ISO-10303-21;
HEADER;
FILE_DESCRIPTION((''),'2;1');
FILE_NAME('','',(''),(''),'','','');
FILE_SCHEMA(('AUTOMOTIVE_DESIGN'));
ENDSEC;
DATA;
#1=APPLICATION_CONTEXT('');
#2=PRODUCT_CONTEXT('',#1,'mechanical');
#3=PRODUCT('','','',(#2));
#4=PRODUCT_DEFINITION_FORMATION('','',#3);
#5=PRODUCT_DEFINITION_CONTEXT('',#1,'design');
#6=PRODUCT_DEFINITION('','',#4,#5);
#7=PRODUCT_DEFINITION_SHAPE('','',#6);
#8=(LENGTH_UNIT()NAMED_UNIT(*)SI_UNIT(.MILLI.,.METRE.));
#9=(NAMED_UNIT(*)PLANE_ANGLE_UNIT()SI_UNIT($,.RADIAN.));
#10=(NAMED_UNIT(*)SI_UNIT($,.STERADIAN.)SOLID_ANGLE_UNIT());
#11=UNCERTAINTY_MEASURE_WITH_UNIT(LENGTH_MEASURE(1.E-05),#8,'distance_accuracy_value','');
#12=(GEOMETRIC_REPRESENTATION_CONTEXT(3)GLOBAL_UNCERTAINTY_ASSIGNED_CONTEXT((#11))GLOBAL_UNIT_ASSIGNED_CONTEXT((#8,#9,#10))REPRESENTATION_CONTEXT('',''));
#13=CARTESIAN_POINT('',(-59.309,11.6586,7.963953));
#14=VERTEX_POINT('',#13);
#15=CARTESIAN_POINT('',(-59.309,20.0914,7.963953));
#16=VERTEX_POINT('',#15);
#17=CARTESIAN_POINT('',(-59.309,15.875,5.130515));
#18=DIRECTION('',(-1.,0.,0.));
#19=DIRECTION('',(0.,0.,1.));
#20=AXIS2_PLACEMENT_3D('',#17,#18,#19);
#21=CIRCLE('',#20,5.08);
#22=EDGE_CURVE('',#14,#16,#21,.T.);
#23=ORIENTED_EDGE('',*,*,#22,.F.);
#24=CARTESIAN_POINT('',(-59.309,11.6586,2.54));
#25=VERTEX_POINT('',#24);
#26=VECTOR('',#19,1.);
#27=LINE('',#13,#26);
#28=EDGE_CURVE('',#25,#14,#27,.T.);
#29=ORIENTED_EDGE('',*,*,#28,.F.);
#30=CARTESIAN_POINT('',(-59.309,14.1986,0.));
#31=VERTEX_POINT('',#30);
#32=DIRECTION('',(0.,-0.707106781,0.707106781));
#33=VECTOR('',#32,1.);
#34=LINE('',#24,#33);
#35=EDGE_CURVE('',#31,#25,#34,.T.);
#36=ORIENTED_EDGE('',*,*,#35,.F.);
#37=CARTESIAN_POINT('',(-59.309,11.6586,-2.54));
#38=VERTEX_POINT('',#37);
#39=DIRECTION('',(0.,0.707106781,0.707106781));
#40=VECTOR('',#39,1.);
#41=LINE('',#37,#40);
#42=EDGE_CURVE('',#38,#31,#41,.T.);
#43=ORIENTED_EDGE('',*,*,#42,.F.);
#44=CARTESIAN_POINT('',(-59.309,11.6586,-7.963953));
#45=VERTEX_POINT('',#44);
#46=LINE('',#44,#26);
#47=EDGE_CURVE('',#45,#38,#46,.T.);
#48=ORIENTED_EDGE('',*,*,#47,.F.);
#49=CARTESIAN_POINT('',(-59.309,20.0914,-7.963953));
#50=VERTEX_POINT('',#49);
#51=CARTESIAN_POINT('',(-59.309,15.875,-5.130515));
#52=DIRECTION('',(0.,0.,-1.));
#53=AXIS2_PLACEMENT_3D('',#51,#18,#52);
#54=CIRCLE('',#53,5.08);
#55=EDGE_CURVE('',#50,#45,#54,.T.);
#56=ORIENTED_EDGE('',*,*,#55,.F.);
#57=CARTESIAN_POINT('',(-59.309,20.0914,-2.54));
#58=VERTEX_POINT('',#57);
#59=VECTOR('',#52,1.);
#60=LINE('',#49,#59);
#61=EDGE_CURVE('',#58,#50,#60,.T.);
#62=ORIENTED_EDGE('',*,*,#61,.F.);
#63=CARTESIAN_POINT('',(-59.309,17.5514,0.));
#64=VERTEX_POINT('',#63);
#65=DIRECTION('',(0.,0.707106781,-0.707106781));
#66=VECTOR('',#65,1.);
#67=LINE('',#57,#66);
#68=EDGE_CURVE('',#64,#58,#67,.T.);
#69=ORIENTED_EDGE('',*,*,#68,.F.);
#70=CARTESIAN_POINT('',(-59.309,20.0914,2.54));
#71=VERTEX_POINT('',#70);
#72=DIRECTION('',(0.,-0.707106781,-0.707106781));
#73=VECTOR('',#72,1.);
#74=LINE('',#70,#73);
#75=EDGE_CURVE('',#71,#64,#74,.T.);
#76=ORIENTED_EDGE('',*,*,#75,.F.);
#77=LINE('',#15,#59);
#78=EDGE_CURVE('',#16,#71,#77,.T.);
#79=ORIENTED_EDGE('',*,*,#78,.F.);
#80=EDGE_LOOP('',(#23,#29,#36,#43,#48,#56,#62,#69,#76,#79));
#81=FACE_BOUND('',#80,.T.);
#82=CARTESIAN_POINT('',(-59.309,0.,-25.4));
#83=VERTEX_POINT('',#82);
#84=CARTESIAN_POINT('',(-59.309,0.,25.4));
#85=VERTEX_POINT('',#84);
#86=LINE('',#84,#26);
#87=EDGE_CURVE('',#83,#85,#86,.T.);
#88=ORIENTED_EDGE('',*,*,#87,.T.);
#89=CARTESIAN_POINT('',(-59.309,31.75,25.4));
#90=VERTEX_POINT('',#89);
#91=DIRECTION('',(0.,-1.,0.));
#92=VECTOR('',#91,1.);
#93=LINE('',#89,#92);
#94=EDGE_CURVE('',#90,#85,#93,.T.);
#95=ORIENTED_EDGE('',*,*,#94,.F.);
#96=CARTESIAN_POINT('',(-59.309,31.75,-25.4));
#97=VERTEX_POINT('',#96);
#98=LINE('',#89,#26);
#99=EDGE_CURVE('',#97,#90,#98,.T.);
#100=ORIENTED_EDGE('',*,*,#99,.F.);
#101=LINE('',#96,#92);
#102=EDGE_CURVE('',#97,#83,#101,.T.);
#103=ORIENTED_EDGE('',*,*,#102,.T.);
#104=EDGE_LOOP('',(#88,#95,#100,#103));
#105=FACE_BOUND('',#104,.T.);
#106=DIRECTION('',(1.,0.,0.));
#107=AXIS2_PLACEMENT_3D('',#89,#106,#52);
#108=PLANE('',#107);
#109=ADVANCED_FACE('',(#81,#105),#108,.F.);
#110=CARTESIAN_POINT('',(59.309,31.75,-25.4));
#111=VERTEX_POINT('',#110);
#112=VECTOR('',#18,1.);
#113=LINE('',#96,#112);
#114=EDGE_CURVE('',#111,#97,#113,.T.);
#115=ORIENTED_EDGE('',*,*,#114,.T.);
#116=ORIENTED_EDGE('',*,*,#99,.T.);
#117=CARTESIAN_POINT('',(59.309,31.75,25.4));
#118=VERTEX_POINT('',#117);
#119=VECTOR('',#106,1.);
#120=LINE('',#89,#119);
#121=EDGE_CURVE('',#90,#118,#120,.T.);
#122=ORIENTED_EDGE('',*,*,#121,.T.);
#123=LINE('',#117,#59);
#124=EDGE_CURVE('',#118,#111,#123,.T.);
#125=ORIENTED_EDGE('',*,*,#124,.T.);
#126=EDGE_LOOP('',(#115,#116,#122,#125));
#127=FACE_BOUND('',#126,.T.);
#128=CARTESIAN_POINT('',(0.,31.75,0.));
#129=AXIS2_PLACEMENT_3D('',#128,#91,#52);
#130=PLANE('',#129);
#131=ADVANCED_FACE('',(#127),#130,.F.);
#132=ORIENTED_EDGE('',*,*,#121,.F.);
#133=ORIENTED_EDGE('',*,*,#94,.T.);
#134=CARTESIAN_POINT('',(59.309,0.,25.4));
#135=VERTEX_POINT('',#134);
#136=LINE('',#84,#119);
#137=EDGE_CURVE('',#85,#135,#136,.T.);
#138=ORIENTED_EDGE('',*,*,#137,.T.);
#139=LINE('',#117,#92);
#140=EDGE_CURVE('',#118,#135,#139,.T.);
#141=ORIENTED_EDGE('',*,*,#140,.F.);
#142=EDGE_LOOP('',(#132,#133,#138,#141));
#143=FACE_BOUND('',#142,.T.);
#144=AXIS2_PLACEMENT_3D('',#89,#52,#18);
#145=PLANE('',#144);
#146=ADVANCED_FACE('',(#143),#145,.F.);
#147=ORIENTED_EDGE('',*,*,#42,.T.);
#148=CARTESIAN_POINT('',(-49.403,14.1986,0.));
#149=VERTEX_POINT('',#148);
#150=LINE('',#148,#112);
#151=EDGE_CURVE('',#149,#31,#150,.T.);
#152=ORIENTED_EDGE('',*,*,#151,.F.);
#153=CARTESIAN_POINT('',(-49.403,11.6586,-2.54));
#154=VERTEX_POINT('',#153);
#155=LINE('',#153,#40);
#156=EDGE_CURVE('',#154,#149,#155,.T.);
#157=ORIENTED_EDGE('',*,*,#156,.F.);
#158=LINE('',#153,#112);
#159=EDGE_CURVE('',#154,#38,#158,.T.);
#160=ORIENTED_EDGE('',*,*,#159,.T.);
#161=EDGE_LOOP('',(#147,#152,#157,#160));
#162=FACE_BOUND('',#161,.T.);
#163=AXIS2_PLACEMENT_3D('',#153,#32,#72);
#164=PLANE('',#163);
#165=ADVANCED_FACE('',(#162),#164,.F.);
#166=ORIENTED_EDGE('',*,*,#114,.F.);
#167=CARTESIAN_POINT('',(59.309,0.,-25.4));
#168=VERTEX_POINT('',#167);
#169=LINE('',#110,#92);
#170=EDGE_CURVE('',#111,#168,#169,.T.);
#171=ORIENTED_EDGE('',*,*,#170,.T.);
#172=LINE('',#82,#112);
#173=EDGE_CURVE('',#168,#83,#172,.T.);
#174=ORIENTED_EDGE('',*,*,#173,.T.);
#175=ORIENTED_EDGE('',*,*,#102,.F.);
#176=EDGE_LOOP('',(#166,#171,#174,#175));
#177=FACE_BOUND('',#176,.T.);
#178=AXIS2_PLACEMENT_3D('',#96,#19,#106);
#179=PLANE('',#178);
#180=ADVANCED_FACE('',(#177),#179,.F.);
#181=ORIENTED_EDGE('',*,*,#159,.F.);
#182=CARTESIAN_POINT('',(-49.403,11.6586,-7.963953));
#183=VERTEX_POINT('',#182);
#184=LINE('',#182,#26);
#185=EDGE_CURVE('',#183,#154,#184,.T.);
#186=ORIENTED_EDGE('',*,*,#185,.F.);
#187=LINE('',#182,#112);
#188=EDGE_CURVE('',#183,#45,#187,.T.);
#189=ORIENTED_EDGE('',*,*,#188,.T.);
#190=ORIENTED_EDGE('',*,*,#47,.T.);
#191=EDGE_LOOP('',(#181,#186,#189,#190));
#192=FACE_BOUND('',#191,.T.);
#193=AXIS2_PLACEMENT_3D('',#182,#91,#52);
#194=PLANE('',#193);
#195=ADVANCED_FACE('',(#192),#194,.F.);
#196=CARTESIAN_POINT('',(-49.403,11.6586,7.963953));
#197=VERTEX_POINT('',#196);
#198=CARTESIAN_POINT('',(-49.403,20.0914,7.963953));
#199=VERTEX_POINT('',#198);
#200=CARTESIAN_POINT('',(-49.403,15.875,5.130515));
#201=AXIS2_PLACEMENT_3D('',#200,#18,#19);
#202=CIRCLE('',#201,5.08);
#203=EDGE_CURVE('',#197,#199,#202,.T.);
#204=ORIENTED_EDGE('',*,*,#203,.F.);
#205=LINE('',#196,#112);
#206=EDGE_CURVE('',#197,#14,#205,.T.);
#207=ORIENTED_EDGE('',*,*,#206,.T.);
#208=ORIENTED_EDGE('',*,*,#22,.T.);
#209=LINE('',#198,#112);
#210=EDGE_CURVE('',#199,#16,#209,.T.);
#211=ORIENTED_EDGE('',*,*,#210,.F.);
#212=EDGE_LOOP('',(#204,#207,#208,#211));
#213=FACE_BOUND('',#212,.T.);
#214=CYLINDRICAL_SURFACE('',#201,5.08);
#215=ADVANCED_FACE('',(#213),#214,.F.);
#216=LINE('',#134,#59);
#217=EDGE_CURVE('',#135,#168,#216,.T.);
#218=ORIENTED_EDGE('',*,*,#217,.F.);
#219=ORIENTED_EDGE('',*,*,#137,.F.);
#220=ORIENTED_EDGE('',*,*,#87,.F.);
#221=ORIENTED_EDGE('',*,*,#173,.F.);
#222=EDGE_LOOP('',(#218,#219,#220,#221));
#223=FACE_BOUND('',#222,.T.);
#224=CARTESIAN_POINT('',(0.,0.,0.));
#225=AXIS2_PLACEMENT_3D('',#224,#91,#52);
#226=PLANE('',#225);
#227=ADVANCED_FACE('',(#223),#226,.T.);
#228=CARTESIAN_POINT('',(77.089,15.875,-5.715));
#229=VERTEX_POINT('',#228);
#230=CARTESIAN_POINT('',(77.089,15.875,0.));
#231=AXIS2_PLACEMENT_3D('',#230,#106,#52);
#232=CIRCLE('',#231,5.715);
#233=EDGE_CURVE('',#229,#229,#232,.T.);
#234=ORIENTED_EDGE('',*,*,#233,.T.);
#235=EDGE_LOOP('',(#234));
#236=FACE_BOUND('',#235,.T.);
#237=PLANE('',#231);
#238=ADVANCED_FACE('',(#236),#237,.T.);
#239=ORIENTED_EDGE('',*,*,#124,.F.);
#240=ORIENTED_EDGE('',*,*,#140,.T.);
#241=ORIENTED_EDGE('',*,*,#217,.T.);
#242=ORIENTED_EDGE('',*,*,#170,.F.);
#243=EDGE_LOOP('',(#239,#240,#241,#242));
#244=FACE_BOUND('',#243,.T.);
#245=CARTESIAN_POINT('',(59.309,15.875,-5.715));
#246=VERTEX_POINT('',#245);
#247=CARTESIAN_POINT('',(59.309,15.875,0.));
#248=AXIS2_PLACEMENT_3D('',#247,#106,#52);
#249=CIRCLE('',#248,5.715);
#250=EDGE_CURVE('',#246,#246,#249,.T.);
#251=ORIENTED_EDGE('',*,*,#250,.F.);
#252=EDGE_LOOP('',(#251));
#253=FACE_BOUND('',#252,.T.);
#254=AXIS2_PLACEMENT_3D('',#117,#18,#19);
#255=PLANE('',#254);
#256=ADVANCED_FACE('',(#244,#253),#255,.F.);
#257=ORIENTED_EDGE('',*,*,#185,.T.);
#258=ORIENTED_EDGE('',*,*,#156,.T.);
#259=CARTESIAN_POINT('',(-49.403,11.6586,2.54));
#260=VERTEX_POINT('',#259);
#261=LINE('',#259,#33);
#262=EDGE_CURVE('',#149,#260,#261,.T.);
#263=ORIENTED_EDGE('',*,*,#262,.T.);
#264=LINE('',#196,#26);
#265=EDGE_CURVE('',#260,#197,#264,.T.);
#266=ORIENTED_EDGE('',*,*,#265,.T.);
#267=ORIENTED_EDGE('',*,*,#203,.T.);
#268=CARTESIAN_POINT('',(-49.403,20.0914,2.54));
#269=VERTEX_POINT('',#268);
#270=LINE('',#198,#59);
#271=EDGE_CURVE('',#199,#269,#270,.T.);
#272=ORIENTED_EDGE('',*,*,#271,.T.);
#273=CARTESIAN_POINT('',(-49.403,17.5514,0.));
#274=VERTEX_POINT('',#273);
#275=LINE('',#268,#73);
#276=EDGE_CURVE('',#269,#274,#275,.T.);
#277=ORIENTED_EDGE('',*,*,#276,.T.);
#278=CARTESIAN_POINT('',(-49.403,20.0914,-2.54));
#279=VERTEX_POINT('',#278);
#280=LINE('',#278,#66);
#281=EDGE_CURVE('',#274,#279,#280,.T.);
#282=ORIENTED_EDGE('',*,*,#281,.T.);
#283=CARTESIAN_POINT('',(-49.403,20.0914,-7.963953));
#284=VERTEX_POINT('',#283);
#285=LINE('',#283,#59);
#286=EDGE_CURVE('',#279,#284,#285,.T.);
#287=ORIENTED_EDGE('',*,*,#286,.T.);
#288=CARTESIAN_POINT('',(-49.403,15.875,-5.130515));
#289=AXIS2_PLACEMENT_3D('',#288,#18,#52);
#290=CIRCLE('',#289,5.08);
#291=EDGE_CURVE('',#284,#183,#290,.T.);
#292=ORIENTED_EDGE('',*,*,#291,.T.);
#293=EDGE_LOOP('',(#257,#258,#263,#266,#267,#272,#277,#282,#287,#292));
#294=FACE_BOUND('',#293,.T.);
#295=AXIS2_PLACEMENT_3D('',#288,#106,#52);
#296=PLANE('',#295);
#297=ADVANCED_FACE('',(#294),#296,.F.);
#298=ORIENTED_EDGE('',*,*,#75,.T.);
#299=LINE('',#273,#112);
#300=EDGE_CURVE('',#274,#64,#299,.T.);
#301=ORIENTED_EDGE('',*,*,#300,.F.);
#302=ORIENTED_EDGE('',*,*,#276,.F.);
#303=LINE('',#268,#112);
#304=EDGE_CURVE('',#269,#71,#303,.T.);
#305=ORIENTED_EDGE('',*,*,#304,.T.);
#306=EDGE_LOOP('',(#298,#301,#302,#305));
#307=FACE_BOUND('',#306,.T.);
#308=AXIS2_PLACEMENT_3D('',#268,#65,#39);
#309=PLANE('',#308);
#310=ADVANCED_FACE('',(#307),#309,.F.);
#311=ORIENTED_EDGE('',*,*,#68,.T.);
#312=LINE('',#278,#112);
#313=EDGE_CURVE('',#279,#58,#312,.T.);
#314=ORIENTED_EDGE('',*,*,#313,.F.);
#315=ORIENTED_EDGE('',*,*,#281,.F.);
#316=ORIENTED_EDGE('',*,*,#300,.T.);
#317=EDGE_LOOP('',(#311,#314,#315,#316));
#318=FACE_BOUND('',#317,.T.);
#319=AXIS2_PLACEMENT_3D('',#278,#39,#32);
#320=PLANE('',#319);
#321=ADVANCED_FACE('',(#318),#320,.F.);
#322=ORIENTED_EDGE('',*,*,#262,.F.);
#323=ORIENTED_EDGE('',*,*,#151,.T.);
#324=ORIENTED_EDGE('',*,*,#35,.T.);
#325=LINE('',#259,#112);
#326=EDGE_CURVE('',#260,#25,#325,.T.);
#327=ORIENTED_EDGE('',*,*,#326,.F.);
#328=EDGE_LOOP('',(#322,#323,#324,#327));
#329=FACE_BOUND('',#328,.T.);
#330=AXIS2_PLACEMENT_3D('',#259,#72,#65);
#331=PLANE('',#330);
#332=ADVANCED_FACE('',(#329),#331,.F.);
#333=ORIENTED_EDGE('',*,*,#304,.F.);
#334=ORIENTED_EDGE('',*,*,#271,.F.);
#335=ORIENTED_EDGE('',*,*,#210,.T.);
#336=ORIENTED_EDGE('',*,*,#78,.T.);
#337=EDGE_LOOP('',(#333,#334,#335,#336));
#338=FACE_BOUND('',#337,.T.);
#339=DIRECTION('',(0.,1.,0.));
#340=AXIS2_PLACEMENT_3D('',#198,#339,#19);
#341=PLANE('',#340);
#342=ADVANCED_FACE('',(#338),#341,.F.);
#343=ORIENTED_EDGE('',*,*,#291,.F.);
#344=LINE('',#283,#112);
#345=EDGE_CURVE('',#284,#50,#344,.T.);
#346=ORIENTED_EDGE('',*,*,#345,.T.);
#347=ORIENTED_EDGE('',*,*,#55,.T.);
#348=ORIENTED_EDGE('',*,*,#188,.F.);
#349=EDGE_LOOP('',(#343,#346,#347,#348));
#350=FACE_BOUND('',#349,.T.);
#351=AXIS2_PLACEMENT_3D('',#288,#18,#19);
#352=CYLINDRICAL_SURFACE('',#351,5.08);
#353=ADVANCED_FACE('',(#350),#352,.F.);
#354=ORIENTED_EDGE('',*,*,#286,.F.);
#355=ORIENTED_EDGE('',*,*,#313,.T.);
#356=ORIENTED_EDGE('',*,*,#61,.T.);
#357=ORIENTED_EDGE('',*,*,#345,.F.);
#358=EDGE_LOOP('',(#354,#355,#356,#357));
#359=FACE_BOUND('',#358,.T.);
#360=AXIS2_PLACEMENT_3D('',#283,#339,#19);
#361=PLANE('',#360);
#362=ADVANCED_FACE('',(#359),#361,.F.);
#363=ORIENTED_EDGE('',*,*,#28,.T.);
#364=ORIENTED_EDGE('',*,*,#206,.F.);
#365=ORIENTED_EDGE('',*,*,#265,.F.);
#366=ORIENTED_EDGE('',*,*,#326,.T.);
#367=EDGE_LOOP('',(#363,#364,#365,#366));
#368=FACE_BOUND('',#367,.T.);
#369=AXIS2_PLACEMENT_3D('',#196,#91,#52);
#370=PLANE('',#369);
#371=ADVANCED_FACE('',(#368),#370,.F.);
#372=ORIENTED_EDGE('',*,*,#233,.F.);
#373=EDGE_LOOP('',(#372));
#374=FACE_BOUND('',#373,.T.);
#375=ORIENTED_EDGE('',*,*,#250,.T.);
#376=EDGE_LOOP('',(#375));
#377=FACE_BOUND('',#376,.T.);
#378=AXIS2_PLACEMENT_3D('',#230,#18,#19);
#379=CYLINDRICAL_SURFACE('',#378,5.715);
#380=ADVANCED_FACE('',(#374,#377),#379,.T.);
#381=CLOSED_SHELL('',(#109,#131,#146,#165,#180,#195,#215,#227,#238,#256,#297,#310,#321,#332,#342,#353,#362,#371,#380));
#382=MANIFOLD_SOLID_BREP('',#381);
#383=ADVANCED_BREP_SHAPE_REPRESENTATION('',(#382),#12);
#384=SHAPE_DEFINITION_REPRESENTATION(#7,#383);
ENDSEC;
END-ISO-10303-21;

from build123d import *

# Parameters (mm, degrees)
SKETCH1_W           = 118.618
SKETCH1_H           = 50.8
BOSS_EXTRUDE1_DEPTH = 31.75
SKETCH2_R           = 5.715
BOSS_EXTRUDE2_DEPTH = 17.78
CUT_EXTRUDE1_DEPTH  = 9.906


with BuildPart() as part:
    # Sketch1 → Boss-Extrude1 (new body)
    with BuildSketch(Plane(origin=(0, 0, 0), x_dir=(1, 0, 0), z_dir=(0, 1, 0))):
        Rectangle(SKETCH1_W, SKETCH1_H)
    extrude(amount=BOSS_EXTRUDE1_DEPTH)

    # Sketch2 → Boss-Extrude2 (add)
    with BuildSketch(Plane(origin=(59.309, 0, 0), x_dir=(0, 0, -1), z_dir=(1, 0, 0))):
        with Locations((0, 15.875)):
            Circle(SKETCH2_R)
    extrude(amount=BOSS_EXTRUDE2_DEPTH)

    # Sketch3 → Cut-Extrude1 (cut)
    with BuildSketch(Plane.ZY.offset(59.309)):
        with BuildLine():
            Line((-7.963952601, 11.6586), (-2.54, 11.6586))
            Line((-2.54, 11.6586), (0, 14.1986))
            Line((0, 14.1986), (2.54, 11.6586))
            Line((2.54, 11.6586), (7.963952601, 11.6586))
            ThreePointArc((7.963952601, 11.6586), (10.210514576, 15.875), (7.963952601, 20.0914))
            Line((7.963952601, 20.0914), (2.54, 20.0914))
            Line((2.54, 20.0914), (0, 17.5514))
            Line((0, 17.5514), (-2.54, 20.0914))
            Line((-2.54, 20.0914), (-7.963952601, 20.0914))
            ThreePointArc((-7.963952601, 20.0914), (-10.210514576, 15.875), (-7.963952601, 11.6586))
        make_face()
    extrude(amount=-CUT_EXTRUDE1_DEPTH, mode=Mode.SUBTRACT)


solid = part.part
